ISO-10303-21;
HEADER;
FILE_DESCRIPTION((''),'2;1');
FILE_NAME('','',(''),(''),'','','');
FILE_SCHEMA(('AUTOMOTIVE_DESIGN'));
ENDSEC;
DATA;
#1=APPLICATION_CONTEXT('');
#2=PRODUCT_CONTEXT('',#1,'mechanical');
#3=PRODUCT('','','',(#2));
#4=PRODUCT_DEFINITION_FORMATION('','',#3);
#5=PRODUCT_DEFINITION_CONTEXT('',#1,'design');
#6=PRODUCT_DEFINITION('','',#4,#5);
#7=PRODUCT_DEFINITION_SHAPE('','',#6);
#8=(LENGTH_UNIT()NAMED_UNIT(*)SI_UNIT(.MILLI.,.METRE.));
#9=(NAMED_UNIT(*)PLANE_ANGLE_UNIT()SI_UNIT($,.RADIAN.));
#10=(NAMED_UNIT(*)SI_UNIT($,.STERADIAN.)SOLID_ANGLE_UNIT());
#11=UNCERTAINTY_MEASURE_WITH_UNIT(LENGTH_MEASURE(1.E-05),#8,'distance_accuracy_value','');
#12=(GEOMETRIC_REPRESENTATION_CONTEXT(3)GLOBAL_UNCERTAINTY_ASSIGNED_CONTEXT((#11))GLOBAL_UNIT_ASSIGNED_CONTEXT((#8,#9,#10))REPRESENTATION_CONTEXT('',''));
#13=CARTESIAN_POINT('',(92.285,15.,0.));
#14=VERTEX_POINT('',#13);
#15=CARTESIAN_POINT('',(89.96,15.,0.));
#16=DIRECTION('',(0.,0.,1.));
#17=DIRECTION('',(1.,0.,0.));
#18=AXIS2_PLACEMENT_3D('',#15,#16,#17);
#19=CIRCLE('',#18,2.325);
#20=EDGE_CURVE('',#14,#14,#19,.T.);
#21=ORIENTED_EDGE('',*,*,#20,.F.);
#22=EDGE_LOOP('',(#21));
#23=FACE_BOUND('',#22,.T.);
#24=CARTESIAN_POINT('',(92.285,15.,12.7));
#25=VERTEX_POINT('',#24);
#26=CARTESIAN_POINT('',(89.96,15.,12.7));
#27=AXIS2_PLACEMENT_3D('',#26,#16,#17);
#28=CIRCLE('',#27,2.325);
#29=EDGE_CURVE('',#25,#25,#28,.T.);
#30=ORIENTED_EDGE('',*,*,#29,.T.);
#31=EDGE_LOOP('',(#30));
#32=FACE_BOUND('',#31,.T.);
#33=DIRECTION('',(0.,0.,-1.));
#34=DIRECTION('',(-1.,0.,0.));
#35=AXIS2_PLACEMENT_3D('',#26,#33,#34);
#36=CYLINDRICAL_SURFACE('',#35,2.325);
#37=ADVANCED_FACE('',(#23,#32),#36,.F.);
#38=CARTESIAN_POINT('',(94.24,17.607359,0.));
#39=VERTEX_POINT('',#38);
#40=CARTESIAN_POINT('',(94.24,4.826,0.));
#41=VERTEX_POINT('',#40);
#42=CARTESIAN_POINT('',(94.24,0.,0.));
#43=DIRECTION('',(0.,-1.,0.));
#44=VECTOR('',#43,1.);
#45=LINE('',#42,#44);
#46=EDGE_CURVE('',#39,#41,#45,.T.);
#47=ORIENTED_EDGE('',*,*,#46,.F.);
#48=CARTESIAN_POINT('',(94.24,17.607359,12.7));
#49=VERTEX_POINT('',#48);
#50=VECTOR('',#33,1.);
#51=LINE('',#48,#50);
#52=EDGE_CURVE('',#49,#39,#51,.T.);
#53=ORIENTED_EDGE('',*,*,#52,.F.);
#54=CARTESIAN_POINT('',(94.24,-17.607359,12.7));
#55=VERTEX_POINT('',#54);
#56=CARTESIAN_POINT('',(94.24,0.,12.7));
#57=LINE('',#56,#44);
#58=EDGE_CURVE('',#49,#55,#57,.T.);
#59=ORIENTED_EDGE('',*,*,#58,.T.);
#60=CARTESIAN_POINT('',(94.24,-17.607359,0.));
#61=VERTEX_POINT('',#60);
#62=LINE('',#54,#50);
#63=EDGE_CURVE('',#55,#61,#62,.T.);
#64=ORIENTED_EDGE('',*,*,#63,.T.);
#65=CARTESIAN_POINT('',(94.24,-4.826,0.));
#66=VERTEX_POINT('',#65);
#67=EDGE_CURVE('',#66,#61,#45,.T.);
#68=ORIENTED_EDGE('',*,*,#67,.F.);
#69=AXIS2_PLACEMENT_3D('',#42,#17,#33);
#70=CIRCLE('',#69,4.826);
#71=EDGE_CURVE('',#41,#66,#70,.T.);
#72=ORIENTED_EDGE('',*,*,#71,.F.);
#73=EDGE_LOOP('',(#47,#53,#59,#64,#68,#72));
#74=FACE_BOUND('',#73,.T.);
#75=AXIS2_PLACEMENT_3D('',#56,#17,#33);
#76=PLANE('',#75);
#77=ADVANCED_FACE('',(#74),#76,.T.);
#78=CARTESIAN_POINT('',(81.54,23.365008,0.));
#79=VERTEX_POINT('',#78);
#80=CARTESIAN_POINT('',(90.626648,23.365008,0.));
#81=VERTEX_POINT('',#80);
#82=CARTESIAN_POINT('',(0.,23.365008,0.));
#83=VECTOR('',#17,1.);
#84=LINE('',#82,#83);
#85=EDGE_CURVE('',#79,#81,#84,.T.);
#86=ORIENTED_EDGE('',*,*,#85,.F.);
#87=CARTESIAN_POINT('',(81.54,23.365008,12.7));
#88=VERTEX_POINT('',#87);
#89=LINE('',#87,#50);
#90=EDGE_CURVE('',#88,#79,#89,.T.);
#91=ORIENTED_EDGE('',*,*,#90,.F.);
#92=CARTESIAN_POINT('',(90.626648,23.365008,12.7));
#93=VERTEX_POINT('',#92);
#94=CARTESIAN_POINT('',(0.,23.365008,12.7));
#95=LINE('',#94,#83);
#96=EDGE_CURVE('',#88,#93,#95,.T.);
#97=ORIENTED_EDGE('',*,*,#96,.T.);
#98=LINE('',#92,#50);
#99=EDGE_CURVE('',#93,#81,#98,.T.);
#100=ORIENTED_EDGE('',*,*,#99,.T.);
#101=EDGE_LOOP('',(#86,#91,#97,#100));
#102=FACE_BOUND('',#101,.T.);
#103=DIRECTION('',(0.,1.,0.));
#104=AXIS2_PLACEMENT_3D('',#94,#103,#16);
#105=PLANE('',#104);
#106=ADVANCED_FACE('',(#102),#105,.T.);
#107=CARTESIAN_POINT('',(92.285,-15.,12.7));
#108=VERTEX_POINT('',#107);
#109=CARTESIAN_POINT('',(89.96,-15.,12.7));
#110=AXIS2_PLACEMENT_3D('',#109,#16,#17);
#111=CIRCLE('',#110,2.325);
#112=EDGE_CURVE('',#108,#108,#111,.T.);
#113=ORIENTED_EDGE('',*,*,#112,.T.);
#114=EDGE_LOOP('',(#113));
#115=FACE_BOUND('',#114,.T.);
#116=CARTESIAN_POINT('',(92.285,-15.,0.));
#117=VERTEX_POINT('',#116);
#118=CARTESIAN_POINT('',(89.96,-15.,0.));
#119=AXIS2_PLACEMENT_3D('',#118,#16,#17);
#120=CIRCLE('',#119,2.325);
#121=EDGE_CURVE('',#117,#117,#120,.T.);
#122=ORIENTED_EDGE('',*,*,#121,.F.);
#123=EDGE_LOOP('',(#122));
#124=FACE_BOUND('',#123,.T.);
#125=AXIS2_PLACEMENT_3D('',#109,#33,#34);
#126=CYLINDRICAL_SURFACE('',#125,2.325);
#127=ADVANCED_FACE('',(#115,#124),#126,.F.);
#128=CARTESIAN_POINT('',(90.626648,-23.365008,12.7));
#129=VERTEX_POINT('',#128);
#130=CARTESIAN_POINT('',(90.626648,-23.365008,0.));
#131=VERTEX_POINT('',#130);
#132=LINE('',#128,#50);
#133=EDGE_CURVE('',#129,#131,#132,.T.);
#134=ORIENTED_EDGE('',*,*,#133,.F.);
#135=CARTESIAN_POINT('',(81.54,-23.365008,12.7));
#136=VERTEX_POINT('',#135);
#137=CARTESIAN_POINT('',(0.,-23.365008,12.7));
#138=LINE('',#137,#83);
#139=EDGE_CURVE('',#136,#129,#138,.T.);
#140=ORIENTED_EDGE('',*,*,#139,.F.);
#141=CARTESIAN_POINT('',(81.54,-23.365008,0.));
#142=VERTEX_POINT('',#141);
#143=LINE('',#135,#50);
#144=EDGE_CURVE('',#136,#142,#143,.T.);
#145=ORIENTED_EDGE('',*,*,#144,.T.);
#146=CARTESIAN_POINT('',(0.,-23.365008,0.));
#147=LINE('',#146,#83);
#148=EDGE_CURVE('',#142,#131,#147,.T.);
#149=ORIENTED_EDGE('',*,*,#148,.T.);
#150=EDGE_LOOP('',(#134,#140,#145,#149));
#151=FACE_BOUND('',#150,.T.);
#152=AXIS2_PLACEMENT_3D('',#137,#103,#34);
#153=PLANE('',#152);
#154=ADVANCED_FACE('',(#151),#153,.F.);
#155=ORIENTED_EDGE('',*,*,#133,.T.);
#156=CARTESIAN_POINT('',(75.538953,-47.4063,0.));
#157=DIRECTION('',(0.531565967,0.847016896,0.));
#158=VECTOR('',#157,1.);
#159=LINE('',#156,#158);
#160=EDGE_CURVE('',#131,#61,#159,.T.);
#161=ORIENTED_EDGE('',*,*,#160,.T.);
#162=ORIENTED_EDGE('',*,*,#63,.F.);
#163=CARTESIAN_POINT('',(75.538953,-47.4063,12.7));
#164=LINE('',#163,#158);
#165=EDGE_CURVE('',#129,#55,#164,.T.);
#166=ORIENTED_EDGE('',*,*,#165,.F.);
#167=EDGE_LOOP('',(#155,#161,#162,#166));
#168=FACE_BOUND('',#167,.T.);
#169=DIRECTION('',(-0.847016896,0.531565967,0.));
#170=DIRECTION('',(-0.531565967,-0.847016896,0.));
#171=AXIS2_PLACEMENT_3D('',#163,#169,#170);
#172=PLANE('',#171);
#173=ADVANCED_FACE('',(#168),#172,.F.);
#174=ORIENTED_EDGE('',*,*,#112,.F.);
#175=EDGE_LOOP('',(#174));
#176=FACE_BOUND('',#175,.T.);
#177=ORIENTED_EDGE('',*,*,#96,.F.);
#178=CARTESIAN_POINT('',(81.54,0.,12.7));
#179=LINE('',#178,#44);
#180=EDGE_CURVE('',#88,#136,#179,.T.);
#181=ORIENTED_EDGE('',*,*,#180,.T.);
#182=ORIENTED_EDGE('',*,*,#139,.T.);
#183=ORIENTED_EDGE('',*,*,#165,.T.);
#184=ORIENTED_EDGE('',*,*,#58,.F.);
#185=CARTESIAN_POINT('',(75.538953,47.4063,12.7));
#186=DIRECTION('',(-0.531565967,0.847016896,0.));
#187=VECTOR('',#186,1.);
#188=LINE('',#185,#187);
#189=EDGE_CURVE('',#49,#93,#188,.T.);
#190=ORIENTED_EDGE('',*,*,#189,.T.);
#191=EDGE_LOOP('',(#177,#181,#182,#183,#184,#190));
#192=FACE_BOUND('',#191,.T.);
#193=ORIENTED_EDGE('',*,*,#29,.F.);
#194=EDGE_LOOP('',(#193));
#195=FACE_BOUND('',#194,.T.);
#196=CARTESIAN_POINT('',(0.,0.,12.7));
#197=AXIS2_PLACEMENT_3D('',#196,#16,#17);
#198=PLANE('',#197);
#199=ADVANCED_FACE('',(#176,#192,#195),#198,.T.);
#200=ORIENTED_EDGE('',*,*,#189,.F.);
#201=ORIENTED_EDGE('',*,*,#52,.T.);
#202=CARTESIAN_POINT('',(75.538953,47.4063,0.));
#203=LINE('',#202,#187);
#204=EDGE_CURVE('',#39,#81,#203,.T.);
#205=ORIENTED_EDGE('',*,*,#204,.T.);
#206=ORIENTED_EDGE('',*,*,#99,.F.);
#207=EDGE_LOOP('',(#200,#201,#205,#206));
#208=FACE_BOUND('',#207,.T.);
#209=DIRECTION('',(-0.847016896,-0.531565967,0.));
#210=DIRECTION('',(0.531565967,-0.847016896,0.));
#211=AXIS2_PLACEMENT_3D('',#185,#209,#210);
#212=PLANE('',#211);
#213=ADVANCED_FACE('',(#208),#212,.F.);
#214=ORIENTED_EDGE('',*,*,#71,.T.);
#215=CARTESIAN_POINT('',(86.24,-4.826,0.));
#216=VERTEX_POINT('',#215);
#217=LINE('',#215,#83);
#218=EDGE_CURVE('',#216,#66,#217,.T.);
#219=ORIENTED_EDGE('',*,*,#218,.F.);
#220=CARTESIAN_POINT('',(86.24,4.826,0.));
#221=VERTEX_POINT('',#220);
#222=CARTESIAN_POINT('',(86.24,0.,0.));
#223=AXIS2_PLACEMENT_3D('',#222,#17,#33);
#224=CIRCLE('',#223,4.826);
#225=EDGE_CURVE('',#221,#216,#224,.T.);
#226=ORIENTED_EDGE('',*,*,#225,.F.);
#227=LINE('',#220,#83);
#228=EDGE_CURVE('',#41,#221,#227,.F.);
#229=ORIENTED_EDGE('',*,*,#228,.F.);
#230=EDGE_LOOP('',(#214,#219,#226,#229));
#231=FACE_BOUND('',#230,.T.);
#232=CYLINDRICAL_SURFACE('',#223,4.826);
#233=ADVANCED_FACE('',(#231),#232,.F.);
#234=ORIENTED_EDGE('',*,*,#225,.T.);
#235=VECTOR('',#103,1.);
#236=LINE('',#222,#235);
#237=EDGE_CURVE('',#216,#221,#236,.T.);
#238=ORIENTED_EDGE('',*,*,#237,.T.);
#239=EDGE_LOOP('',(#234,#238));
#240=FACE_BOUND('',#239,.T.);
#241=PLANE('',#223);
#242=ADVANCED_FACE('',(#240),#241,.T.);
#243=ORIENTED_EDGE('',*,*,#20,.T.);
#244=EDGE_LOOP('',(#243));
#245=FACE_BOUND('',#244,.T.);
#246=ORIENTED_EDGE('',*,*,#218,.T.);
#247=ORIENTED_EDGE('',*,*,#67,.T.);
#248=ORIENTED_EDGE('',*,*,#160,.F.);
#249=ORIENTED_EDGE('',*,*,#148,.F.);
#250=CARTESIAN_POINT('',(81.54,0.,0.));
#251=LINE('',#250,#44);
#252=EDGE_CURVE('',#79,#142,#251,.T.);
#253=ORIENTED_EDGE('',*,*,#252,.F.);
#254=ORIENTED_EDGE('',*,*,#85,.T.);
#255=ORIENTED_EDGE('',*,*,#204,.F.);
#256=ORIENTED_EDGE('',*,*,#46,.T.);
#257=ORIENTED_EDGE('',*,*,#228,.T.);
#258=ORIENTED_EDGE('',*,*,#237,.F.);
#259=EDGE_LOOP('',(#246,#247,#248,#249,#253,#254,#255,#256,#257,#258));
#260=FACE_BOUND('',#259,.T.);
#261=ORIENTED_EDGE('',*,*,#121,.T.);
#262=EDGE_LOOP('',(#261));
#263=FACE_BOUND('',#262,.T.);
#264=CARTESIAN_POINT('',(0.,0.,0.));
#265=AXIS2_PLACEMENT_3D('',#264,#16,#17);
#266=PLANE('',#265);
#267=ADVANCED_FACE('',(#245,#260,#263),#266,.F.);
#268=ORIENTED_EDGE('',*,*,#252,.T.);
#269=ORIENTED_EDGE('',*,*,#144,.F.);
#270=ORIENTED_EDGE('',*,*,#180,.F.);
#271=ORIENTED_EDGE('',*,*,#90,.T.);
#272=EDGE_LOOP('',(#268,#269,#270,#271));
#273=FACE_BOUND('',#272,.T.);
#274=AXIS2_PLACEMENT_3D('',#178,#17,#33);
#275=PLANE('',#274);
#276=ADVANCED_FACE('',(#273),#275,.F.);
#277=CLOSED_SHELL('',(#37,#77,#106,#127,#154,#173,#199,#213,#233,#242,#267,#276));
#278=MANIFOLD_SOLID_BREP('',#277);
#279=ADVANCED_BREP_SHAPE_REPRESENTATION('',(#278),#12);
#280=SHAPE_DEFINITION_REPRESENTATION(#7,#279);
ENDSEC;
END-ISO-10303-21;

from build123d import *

# Parameters (mm, degrees)
SKETCH1_R           = 2.325
SKETCH1_W           = 7.749999992
SKETCH1_H           = 9.652
BOSS_EXTRUDE1_DEPTH = 12.7
SKETCH2_R           = 4.826
CUT_EXTRUDE1_DEPTH  = 8


with BuildPart() as part:
    # Sketch1 → Boss-Extrude1 (new body)
    # profile 1 of 2: a face of its own
    with BuildSketch(Plane.XY):
        Polygon((90.626647956, 23.365008212), (81.539999992, 23.365008212), (81.539999992, -23.365008212), (90.626647956, -23.365008212), (94.239999992, -17.607359271), (94.239999992, -4.826), (86.49, -4.826), (86.49, 4.826), (94.239999992, 4.826), (94.239999992, 17.607359271), align=None)
        with Locations((89.96, -15)):
            Circle(SKETCH1_R, mode=Mode.SUBTRACT)
        with Locations((89.96, 15)):
            Circle(SKETCH1_R, mode=Mode.SUBTRACT)
    # profile 2 of 2: a face of its own
    with BuildSketch(Plane.XY):
        with Locations((90.364999996, 0)):
            Rectangle(SKETCH1_W, SKETCH1_H)
    extrude(amount=BOSS_EXTRUDE1_DEPTH)

    # Sketch2 → Cut-Extrude1 (cut)
    with BuildSketch(Plane(origin=(94.239999992, 0, 0), x_dir=(0, 0, -1), z_dir=(1, 0, 0))):
        Circle(SKETCH2_R)
    extrude(amount=-CUT_EXTRUDE1_DEPTH, mode=Mode.SUBTRACT)


solid = part.part
